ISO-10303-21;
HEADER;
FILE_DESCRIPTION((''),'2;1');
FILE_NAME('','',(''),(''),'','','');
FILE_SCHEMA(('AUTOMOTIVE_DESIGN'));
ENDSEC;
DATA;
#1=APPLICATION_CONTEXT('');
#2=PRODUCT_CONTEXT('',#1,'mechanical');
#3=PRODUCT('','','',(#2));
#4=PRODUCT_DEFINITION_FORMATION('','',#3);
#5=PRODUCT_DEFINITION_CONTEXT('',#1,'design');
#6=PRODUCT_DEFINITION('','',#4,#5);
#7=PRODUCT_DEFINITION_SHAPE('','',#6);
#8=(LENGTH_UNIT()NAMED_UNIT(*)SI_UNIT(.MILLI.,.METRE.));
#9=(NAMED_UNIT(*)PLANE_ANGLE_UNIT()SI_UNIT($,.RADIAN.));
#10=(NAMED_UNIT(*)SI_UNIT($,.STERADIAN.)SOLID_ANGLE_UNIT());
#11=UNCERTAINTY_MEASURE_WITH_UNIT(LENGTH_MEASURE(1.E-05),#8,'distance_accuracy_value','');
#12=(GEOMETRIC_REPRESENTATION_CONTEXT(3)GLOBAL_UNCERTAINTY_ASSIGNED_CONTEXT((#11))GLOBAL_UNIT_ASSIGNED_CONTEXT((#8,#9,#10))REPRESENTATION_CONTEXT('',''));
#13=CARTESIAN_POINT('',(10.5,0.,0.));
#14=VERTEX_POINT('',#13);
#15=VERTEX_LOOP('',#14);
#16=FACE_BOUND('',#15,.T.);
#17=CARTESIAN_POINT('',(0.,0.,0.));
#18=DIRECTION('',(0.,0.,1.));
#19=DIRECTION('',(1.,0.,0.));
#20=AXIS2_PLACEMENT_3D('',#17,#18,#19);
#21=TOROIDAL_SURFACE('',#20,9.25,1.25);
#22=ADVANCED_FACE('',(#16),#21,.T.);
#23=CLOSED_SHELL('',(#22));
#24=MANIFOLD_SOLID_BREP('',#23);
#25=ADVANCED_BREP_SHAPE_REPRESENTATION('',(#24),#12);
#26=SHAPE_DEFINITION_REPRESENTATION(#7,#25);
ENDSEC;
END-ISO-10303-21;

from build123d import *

# Parameters (mm, degrees)
SKETCH_1_R = 1.25


with BuildPart() as part:
    # Эскиз1 → Повернуть1 (revolve)
    with BuildSketch(Plane(origin=(0, 0, 0), x_dir=(1, 0, 0), z_dir=(0, 1, 0))):
        with Locations((9.25, 0)):
            Circle(SKETCH_1_R)
    revolve(axis=Axis((0, 0, 0), (0, 0, -1)))


solid = part.part
